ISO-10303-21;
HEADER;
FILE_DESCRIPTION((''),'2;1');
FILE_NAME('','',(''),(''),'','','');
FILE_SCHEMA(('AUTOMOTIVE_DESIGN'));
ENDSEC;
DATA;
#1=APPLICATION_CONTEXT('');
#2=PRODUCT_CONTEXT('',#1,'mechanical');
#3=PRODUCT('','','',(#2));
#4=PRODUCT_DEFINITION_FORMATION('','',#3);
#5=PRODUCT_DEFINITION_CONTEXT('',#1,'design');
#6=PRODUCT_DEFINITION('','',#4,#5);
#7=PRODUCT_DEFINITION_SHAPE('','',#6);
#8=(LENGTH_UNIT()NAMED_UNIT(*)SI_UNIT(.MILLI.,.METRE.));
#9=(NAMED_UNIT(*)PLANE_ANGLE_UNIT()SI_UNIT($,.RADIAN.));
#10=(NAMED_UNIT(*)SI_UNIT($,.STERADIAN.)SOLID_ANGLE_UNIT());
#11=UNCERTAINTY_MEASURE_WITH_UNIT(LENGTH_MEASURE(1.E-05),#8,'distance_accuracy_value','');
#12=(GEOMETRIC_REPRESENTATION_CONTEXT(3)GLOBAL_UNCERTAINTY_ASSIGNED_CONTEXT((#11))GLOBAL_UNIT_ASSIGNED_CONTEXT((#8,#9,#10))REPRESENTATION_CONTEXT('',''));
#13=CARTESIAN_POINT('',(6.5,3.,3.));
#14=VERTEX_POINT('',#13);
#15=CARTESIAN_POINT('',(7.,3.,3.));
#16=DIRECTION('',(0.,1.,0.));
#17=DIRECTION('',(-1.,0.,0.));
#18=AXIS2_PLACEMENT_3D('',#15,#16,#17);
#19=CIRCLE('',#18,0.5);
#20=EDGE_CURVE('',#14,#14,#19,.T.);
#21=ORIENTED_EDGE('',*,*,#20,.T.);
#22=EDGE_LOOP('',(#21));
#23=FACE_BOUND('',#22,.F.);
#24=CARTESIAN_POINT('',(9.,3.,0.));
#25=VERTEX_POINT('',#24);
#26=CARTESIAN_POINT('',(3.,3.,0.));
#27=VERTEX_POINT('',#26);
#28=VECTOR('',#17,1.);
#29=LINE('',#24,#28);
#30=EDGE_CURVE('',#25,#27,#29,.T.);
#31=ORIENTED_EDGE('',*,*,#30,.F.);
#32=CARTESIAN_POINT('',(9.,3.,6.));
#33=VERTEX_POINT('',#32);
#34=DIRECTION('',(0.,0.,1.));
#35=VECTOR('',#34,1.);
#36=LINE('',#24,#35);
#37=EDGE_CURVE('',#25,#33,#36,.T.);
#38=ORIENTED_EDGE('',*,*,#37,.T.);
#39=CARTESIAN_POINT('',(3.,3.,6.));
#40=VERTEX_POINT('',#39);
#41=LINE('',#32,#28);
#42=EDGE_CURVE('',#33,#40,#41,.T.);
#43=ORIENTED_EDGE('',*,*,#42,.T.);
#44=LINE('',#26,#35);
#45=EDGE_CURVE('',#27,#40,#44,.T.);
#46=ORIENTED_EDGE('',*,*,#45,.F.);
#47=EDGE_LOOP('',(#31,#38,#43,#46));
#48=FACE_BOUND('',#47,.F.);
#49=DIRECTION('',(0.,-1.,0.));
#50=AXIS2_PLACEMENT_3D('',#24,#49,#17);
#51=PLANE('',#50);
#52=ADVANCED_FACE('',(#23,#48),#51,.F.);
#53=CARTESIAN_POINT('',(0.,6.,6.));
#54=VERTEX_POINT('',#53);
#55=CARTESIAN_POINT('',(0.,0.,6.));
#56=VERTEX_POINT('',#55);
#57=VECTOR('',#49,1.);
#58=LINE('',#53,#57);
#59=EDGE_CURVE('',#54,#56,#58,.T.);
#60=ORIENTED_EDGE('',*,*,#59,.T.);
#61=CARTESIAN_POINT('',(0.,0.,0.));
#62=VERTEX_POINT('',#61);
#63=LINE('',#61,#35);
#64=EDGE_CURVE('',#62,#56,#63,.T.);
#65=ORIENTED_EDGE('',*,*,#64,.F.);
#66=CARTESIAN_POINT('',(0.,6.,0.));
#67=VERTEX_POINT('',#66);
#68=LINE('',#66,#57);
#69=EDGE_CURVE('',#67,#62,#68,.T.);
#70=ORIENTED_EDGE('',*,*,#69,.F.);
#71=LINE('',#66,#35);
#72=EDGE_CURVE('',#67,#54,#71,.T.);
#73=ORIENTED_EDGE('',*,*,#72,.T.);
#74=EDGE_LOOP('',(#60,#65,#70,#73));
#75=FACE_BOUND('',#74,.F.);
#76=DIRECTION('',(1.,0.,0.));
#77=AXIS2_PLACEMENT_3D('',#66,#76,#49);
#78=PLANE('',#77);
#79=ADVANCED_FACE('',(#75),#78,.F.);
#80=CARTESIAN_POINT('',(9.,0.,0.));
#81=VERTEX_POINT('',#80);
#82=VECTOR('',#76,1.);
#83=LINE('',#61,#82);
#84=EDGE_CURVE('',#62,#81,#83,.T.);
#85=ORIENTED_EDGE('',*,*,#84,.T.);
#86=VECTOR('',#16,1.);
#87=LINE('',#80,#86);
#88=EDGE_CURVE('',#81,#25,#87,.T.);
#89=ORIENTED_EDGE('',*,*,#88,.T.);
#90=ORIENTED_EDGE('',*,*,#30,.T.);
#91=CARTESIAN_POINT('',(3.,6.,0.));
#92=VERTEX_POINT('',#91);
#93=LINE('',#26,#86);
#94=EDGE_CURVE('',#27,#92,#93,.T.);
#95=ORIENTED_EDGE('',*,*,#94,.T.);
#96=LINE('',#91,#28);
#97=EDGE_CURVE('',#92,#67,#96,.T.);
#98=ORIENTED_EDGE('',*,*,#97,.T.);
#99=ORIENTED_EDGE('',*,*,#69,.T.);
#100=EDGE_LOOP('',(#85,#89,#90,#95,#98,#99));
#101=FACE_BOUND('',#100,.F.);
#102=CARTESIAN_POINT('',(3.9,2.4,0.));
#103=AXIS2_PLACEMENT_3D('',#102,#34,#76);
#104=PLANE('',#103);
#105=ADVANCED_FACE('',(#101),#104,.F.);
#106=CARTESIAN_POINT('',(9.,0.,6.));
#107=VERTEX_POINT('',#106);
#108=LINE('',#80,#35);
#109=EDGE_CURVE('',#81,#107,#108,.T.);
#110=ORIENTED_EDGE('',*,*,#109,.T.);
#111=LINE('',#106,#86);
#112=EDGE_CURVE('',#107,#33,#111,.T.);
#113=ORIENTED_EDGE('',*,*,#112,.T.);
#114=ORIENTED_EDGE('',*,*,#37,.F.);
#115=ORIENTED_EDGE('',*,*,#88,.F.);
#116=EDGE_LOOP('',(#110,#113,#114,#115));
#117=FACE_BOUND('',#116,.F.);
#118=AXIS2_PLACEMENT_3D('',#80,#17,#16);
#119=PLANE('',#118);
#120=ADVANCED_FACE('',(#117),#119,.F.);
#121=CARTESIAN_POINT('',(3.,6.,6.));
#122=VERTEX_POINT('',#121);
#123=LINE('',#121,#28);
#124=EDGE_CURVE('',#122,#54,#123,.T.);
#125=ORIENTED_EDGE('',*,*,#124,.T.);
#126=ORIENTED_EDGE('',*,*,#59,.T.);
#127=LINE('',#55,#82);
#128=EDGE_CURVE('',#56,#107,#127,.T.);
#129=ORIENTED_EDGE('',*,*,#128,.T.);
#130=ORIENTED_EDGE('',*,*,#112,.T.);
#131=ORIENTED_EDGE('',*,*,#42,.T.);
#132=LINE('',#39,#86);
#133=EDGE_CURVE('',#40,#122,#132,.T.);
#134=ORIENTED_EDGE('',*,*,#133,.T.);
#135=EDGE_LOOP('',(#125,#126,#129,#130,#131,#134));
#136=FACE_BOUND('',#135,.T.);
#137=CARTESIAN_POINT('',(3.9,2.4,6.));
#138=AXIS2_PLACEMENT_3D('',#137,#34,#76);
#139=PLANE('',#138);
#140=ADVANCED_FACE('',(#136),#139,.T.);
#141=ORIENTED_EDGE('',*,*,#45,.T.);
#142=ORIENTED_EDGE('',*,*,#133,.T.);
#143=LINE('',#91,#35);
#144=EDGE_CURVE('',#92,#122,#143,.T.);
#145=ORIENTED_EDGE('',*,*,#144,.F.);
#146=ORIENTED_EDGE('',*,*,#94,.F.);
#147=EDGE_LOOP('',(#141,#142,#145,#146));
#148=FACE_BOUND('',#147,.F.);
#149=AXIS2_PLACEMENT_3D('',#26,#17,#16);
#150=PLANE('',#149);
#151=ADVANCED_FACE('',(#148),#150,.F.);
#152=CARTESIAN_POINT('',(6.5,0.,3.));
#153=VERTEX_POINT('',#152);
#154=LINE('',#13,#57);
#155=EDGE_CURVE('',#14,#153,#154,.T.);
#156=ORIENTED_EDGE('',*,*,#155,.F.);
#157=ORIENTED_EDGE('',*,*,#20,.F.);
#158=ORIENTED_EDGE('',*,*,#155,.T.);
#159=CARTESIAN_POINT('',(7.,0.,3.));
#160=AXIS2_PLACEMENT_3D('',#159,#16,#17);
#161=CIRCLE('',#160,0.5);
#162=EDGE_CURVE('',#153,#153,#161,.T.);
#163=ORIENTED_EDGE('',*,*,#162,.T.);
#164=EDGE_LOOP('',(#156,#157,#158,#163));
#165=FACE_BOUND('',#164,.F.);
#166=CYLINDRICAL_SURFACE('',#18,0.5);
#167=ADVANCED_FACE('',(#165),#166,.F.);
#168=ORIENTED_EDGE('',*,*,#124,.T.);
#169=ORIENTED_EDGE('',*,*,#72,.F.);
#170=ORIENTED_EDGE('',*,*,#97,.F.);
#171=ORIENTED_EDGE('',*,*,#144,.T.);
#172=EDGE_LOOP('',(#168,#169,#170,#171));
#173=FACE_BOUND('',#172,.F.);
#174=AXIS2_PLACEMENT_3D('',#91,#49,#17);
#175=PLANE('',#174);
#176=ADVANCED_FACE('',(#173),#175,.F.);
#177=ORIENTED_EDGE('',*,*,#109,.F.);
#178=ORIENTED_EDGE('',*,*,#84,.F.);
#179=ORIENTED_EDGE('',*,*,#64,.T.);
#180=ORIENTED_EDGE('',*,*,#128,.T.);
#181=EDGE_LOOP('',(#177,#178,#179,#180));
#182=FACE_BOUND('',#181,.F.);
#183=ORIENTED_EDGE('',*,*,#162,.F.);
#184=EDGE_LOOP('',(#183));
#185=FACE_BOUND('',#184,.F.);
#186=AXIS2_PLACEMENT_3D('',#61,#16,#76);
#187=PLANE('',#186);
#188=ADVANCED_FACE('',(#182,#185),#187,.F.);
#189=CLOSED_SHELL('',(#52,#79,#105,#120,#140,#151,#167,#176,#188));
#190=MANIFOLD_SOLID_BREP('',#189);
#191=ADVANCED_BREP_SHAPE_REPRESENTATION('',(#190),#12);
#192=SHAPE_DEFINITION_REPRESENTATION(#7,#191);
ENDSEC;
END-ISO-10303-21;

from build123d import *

# Parameters (mm, degrees)
F1_DEPTH = 6
F2_R     = 0.5
F3_DEPTH = 3.001


with BuildPart() as f1:
    # F0 (on Top) → F1 (new body)
    with BuildSketch(Plane.XY):
        Polygon((0, 6), (0, 0), (9, 0), (9, 3), (3, 3), (3, 6), align=None)
    extrude(amount=F1_DEPTH)

    # F2 (on face) → F3 (cut, through all)
    with BuildSketch(Plane(origin=(0, 3, 0), x_dir=(-1, 0, 0), z_dir=(0, 1, 0))):
        with Locations((-7, 3)):
            Circle(F2_R)
    extrude(amount=-F3_DEPTH, mode=Mode.SUBTRACT)


solid = f1.part
